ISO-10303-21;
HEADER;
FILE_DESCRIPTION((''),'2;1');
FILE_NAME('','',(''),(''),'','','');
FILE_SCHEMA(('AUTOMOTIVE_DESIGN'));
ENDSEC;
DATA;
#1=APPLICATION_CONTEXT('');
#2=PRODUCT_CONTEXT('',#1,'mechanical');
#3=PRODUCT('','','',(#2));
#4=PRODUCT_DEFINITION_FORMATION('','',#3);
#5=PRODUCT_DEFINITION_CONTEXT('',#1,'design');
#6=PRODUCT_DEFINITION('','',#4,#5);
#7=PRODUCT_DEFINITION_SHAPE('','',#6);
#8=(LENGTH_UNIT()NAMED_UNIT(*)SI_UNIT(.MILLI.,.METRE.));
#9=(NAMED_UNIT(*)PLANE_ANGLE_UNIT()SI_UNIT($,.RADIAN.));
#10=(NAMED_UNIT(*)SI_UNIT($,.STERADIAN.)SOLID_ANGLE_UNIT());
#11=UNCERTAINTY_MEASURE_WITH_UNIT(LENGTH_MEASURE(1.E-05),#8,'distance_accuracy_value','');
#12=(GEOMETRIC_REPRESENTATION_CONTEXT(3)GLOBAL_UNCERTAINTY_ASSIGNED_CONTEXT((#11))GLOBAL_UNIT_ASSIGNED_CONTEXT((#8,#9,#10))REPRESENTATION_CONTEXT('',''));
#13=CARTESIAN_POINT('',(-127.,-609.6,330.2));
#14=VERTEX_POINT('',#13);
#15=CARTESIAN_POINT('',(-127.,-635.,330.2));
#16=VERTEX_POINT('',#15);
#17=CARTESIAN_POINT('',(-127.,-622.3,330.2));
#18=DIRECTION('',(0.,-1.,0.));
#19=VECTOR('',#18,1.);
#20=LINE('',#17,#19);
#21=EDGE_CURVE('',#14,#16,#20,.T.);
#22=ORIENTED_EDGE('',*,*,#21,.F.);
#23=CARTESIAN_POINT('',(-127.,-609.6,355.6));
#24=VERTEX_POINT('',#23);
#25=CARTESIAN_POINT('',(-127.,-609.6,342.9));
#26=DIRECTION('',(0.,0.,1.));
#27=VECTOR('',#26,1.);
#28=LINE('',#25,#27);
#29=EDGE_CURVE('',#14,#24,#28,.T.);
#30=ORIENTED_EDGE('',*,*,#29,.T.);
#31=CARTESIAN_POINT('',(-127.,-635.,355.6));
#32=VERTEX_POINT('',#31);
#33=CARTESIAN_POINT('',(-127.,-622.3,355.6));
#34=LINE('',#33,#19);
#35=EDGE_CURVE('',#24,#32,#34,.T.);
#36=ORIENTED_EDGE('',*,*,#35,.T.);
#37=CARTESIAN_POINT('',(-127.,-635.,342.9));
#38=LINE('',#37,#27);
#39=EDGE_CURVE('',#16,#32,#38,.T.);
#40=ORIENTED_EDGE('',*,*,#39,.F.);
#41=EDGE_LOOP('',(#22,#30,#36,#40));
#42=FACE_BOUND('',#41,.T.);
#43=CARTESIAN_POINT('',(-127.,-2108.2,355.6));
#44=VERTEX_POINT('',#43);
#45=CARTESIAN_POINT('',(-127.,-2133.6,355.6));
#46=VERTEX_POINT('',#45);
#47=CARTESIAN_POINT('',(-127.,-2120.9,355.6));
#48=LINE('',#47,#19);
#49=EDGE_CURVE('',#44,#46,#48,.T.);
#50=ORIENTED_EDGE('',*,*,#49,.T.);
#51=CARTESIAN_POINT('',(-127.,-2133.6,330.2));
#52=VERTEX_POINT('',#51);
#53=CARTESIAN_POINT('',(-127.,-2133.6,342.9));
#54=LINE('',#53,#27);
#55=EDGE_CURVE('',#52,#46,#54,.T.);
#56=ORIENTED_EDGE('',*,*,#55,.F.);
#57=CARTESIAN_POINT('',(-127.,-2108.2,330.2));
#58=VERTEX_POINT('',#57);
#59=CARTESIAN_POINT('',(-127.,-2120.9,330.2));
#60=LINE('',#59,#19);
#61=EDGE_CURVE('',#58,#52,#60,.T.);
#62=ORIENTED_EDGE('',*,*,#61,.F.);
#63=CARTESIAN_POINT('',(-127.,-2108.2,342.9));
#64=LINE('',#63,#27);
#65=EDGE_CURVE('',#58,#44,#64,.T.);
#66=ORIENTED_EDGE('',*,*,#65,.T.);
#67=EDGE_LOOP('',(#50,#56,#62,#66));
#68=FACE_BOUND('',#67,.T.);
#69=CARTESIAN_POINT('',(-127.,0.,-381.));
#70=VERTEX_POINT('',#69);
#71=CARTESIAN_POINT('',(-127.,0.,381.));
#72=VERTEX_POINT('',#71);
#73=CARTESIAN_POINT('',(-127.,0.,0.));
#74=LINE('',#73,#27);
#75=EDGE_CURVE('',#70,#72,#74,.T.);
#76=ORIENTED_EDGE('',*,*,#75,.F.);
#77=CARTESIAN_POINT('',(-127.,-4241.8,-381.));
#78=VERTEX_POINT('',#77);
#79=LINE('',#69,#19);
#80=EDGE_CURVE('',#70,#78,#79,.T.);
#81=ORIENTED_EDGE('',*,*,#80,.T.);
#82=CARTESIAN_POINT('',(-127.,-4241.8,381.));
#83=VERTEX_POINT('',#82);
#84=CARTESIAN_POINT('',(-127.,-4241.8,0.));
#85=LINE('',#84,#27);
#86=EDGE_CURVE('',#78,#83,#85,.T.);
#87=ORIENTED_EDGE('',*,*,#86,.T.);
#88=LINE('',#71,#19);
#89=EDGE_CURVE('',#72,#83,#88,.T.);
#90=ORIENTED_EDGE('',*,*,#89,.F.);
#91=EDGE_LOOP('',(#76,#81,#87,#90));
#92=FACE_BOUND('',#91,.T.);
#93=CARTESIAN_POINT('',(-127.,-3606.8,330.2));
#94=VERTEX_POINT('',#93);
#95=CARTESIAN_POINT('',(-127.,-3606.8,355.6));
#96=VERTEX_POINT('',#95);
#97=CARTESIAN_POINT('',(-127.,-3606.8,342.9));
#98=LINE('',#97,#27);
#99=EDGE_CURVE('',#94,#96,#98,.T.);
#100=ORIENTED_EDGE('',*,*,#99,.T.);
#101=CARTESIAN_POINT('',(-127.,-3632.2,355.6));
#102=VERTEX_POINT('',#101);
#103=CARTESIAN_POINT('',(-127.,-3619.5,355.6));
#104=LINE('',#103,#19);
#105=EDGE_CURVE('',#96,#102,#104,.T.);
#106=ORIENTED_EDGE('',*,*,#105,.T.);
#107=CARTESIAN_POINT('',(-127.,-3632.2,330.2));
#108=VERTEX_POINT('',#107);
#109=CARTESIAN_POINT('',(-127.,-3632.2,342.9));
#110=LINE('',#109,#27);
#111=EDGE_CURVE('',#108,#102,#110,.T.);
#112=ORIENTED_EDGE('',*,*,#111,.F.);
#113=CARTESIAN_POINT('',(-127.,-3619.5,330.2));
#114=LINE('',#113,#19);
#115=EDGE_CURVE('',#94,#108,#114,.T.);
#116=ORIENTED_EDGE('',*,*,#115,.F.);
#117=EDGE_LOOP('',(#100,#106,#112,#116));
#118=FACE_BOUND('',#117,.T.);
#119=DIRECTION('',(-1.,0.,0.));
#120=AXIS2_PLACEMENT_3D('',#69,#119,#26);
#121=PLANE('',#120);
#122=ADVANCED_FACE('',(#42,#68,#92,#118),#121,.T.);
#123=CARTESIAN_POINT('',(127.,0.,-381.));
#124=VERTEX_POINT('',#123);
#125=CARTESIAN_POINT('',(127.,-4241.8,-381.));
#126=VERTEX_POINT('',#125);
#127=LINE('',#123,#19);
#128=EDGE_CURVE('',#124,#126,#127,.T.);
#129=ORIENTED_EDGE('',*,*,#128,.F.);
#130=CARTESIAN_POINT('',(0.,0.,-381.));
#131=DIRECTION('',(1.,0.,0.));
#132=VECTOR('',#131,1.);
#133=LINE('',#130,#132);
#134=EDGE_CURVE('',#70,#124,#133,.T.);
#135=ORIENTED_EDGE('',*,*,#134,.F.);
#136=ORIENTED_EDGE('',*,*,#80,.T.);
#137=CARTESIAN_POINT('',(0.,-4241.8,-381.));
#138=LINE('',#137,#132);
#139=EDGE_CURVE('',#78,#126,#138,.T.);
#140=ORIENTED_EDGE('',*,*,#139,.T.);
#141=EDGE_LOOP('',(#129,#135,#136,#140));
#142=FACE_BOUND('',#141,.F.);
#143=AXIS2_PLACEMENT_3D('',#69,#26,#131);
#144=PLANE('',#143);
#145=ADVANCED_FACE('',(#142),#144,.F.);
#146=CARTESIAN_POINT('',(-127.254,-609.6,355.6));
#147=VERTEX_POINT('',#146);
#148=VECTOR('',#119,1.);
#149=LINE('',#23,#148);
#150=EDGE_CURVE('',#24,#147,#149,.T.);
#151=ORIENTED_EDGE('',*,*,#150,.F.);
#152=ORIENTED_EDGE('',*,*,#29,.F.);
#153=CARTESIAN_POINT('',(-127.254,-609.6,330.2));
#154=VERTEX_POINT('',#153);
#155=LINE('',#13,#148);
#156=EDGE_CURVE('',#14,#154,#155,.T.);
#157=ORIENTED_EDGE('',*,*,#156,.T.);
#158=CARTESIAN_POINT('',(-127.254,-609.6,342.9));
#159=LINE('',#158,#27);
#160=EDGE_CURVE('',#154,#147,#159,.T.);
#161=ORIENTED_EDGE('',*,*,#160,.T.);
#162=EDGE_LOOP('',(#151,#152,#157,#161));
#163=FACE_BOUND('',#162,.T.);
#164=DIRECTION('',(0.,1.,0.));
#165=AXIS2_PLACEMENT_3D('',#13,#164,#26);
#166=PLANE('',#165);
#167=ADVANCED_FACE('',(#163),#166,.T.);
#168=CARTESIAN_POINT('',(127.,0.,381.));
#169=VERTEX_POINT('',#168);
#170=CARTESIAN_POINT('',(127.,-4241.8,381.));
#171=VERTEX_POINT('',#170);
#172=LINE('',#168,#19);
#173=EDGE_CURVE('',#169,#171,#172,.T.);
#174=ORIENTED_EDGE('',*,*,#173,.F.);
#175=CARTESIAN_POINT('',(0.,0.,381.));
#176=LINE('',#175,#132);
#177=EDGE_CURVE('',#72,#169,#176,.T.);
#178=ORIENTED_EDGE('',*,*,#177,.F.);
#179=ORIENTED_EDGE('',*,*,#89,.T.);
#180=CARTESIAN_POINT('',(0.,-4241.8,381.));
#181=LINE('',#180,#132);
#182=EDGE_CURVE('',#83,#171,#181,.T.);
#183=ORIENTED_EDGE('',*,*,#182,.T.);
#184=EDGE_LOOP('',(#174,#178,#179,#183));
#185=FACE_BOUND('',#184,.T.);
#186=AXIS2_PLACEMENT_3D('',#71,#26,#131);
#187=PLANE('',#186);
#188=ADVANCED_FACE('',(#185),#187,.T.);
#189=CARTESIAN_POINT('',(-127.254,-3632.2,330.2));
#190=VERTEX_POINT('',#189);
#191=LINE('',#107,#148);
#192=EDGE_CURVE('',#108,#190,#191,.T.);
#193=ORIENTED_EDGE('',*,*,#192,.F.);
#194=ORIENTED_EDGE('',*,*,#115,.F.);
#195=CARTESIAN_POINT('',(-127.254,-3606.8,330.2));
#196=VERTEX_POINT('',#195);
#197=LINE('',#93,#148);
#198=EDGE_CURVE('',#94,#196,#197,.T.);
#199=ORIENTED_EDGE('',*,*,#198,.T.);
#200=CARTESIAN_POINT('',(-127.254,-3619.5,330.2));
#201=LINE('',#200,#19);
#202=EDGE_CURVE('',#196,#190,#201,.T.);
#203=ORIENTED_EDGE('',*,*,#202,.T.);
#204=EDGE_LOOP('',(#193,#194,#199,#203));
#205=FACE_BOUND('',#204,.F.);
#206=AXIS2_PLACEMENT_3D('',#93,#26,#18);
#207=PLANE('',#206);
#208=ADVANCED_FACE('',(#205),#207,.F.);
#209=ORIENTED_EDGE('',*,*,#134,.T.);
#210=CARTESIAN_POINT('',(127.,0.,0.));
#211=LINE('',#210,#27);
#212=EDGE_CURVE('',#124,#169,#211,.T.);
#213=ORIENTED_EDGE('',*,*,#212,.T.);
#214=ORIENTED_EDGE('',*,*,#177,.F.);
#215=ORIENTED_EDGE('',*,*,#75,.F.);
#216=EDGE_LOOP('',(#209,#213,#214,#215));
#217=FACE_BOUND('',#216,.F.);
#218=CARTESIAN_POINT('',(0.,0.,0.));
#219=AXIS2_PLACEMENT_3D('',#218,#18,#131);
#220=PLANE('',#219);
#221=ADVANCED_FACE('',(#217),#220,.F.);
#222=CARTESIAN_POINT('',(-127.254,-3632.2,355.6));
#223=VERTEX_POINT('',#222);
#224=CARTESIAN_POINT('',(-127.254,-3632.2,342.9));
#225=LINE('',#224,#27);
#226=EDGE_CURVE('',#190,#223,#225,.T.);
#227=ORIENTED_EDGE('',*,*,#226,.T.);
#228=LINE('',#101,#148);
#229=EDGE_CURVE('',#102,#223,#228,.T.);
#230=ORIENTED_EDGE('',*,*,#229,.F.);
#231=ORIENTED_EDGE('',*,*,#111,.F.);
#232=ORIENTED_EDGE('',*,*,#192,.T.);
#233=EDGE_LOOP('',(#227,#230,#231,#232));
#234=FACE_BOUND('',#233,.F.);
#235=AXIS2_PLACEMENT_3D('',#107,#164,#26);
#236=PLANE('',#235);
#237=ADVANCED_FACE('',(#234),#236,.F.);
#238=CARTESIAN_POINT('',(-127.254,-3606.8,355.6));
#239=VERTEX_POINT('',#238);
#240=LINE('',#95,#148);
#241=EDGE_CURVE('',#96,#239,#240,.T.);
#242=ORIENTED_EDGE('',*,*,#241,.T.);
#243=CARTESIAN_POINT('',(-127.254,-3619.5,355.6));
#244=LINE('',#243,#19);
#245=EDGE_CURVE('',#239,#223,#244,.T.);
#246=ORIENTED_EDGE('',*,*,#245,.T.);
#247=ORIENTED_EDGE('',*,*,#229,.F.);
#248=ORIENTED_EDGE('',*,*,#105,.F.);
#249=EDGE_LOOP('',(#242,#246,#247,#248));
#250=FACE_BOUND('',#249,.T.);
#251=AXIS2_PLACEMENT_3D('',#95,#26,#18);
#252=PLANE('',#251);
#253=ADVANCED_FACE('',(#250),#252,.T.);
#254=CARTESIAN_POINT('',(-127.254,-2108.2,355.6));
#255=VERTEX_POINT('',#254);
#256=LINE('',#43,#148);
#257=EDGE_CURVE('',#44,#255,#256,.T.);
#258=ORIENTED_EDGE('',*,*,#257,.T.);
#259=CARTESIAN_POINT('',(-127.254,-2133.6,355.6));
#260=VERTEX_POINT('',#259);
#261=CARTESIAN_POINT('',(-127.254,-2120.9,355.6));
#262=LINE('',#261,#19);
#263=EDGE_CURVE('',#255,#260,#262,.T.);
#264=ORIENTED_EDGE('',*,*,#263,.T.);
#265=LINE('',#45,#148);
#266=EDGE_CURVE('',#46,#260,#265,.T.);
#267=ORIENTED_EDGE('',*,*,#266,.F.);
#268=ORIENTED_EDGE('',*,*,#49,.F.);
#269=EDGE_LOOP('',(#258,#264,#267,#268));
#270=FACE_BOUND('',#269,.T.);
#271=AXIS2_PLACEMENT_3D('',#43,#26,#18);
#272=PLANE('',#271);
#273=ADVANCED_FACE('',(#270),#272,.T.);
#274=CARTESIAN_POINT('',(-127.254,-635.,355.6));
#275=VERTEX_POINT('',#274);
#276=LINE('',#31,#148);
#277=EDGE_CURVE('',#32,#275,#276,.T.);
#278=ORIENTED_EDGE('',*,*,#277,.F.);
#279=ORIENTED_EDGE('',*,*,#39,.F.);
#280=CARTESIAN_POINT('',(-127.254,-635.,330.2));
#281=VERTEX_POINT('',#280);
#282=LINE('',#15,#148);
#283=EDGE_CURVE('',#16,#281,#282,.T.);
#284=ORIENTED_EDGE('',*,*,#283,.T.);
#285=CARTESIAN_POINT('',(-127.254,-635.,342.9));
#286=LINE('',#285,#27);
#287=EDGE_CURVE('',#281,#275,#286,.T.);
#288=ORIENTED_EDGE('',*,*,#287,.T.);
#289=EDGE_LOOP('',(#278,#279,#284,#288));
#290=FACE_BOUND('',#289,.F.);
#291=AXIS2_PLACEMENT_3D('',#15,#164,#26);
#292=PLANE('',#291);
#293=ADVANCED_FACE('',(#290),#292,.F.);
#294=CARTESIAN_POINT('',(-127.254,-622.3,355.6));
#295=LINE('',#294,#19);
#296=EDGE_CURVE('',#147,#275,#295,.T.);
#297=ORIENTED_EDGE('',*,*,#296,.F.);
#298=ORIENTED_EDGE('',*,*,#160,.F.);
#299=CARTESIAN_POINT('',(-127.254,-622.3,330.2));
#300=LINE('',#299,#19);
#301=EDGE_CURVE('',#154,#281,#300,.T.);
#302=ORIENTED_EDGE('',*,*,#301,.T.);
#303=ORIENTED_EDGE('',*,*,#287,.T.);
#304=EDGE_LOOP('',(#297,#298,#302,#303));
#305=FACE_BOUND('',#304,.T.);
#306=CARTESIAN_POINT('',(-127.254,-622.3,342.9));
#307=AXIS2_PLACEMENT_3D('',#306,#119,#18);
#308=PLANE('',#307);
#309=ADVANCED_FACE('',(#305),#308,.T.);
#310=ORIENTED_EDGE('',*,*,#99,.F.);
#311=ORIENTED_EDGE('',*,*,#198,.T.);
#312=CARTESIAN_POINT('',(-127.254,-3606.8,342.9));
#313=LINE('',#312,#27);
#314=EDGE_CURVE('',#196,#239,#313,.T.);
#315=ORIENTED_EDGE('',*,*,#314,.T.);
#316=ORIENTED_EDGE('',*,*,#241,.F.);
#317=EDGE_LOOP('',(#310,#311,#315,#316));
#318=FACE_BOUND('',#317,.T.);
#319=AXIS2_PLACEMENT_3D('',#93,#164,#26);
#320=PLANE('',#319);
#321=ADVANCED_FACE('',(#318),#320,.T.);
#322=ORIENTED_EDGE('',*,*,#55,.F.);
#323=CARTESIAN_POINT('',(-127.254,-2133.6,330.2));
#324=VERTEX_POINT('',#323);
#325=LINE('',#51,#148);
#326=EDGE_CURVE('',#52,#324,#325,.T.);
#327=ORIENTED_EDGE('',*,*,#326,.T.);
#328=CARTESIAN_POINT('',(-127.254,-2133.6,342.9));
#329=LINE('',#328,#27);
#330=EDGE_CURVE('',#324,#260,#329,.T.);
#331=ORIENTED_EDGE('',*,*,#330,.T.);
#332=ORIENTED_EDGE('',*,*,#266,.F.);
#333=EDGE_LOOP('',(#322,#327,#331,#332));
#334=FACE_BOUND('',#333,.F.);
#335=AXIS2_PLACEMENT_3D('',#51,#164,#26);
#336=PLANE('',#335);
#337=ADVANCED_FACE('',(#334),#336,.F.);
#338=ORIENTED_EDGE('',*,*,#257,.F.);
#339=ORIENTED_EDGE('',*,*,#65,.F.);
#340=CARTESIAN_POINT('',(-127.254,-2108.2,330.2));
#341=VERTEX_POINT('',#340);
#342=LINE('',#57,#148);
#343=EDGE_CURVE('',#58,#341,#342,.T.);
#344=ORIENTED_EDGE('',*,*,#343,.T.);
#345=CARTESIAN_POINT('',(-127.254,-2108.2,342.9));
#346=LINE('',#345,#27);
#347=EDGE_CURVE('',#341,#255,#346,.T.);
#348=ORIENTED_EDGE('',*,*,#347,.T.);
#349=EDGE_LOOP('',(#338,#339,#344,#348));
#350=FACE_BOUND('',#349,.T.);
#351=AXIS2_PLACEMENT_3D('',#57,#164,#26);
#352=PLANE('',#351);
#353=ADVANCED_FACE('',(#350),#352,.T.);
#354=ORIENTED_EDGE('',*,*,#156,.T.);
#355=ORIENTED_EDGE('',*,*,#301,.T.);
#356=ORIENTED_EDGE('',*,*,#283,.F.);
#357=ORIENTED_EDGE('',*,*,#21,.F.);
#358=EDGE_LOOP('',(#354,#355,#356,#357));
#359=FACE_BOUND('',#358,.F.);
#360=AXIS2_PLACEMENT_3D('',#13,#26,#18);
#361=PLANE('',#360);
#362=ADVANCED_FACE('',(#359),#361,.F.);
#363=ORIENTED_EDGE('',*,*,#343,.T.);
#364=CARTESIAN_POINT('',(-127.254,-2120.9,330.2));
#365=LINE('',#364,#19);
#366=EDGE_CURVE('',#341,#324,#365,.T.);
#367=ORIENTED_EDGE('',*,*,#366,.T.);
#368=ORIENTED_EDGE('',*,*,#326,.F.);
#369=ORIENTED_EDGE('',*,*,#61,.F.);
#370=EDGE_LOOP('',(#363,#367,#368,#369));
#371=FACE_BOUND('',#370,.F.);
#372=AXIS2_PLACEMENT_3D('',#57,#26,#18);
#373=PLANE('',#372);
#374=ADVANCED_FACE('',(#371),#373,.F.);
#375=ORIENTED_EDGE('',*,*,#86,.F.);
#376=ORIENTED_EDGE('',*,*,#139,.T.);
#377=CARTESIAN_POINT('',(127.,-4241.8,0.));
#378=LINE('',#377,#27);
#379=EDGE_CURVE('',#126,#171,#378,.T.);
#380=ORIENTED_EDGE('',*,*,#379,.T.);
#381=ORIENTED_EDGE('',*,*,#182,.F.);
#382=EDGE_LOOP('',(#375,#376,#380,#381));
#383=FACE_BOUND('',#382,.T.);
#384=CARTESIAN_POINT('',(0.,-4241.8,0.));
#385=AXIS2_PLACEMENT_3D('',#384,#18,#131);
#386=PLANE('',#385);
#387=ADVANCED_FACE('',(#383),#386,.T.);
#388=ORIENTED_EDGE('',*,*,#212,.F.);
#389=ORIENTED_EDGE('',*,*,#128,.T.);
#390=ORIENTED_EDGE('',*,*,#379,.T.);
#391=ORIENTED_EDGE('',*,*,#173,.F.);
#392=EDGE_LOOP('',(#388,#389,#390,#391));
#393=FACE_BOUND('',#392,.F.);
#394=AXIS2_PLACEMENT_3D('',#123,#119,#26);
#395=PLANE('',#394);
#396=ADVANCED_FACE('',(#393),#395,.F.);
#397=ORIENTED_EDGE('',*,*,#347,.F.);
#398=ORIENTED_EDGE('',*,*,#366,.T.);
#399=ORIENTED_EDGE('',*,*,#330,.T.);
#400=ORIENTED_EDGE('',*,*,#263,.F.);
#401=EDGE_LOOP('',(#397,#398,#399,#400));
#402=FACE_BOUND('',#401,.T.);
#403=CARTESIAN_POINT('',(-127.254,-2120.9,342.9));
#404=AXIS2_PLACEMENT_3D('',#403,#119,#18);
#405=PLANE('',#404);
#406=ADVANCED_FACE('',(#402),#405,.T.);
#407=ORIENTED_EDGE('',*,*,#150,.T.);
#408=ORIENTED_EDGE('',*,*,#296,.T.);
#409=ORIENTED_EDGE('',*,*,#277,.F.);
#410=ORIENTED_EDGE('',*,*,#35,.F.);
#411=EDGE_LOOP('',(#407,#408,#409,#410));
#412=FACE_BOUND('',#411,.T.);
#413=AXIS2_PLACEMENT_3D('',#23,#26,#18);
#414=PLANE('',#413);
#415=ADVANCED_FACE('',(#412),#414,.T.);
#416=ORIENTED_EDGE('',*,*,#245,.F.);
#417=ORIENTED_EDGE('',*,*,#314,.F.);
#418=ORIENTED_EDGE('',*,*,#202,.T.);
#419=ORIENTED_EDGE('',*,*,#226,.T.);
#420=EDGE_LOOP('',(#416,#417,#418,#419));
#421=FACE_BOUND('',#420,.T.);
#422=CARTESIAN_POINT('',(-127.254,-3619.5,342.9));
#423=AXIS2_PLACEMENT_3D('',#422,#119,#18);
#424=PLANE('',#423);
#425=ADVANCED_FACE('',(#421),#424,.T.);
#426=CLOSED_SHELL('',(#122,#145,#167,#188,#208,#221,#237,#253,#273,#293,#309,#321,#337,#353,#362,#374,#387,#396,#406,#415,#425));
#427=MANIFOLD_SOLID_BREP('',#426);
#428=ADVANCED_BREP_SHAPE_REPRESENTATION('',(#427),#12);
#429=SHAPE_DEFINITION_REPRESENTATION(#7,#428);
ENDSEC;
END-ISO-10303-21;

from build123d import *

# Parameters (mm, degrees)
F0_W     = 254
F0_H     = 762
F1_DEPTH = 4241.8
F2_W     = 25.4
F2_H     = 25.4
F3_DEPTH = 0.254


with BuildPart() as f1:
    # F0 (on Front) → F1 (new body)
    with BuildSketch(Plane.XZ):
        Rectangle(F0_W, F0_H)
    extrude(amount=F1_DEPTH)

    # F2 (on face) → F3 (join)
    with BuildSketch(Plane(origin=(-127, 0, 0), x_dir=(0, -1, 0), z_dir=(-1, 0, 0))):
        with Locations((622.3, 342.9)):
            Rectangle(F2_W, F2_H)
        with Locations((2120.9, 342.9)):
            Rectangle(F2_W, F2_H)
        with Locations((3619.5, 342.9)):
            Rectangle(F2_W, F2_H)
    extrude(amount=F3_DEPTH)


solid = f1.part
